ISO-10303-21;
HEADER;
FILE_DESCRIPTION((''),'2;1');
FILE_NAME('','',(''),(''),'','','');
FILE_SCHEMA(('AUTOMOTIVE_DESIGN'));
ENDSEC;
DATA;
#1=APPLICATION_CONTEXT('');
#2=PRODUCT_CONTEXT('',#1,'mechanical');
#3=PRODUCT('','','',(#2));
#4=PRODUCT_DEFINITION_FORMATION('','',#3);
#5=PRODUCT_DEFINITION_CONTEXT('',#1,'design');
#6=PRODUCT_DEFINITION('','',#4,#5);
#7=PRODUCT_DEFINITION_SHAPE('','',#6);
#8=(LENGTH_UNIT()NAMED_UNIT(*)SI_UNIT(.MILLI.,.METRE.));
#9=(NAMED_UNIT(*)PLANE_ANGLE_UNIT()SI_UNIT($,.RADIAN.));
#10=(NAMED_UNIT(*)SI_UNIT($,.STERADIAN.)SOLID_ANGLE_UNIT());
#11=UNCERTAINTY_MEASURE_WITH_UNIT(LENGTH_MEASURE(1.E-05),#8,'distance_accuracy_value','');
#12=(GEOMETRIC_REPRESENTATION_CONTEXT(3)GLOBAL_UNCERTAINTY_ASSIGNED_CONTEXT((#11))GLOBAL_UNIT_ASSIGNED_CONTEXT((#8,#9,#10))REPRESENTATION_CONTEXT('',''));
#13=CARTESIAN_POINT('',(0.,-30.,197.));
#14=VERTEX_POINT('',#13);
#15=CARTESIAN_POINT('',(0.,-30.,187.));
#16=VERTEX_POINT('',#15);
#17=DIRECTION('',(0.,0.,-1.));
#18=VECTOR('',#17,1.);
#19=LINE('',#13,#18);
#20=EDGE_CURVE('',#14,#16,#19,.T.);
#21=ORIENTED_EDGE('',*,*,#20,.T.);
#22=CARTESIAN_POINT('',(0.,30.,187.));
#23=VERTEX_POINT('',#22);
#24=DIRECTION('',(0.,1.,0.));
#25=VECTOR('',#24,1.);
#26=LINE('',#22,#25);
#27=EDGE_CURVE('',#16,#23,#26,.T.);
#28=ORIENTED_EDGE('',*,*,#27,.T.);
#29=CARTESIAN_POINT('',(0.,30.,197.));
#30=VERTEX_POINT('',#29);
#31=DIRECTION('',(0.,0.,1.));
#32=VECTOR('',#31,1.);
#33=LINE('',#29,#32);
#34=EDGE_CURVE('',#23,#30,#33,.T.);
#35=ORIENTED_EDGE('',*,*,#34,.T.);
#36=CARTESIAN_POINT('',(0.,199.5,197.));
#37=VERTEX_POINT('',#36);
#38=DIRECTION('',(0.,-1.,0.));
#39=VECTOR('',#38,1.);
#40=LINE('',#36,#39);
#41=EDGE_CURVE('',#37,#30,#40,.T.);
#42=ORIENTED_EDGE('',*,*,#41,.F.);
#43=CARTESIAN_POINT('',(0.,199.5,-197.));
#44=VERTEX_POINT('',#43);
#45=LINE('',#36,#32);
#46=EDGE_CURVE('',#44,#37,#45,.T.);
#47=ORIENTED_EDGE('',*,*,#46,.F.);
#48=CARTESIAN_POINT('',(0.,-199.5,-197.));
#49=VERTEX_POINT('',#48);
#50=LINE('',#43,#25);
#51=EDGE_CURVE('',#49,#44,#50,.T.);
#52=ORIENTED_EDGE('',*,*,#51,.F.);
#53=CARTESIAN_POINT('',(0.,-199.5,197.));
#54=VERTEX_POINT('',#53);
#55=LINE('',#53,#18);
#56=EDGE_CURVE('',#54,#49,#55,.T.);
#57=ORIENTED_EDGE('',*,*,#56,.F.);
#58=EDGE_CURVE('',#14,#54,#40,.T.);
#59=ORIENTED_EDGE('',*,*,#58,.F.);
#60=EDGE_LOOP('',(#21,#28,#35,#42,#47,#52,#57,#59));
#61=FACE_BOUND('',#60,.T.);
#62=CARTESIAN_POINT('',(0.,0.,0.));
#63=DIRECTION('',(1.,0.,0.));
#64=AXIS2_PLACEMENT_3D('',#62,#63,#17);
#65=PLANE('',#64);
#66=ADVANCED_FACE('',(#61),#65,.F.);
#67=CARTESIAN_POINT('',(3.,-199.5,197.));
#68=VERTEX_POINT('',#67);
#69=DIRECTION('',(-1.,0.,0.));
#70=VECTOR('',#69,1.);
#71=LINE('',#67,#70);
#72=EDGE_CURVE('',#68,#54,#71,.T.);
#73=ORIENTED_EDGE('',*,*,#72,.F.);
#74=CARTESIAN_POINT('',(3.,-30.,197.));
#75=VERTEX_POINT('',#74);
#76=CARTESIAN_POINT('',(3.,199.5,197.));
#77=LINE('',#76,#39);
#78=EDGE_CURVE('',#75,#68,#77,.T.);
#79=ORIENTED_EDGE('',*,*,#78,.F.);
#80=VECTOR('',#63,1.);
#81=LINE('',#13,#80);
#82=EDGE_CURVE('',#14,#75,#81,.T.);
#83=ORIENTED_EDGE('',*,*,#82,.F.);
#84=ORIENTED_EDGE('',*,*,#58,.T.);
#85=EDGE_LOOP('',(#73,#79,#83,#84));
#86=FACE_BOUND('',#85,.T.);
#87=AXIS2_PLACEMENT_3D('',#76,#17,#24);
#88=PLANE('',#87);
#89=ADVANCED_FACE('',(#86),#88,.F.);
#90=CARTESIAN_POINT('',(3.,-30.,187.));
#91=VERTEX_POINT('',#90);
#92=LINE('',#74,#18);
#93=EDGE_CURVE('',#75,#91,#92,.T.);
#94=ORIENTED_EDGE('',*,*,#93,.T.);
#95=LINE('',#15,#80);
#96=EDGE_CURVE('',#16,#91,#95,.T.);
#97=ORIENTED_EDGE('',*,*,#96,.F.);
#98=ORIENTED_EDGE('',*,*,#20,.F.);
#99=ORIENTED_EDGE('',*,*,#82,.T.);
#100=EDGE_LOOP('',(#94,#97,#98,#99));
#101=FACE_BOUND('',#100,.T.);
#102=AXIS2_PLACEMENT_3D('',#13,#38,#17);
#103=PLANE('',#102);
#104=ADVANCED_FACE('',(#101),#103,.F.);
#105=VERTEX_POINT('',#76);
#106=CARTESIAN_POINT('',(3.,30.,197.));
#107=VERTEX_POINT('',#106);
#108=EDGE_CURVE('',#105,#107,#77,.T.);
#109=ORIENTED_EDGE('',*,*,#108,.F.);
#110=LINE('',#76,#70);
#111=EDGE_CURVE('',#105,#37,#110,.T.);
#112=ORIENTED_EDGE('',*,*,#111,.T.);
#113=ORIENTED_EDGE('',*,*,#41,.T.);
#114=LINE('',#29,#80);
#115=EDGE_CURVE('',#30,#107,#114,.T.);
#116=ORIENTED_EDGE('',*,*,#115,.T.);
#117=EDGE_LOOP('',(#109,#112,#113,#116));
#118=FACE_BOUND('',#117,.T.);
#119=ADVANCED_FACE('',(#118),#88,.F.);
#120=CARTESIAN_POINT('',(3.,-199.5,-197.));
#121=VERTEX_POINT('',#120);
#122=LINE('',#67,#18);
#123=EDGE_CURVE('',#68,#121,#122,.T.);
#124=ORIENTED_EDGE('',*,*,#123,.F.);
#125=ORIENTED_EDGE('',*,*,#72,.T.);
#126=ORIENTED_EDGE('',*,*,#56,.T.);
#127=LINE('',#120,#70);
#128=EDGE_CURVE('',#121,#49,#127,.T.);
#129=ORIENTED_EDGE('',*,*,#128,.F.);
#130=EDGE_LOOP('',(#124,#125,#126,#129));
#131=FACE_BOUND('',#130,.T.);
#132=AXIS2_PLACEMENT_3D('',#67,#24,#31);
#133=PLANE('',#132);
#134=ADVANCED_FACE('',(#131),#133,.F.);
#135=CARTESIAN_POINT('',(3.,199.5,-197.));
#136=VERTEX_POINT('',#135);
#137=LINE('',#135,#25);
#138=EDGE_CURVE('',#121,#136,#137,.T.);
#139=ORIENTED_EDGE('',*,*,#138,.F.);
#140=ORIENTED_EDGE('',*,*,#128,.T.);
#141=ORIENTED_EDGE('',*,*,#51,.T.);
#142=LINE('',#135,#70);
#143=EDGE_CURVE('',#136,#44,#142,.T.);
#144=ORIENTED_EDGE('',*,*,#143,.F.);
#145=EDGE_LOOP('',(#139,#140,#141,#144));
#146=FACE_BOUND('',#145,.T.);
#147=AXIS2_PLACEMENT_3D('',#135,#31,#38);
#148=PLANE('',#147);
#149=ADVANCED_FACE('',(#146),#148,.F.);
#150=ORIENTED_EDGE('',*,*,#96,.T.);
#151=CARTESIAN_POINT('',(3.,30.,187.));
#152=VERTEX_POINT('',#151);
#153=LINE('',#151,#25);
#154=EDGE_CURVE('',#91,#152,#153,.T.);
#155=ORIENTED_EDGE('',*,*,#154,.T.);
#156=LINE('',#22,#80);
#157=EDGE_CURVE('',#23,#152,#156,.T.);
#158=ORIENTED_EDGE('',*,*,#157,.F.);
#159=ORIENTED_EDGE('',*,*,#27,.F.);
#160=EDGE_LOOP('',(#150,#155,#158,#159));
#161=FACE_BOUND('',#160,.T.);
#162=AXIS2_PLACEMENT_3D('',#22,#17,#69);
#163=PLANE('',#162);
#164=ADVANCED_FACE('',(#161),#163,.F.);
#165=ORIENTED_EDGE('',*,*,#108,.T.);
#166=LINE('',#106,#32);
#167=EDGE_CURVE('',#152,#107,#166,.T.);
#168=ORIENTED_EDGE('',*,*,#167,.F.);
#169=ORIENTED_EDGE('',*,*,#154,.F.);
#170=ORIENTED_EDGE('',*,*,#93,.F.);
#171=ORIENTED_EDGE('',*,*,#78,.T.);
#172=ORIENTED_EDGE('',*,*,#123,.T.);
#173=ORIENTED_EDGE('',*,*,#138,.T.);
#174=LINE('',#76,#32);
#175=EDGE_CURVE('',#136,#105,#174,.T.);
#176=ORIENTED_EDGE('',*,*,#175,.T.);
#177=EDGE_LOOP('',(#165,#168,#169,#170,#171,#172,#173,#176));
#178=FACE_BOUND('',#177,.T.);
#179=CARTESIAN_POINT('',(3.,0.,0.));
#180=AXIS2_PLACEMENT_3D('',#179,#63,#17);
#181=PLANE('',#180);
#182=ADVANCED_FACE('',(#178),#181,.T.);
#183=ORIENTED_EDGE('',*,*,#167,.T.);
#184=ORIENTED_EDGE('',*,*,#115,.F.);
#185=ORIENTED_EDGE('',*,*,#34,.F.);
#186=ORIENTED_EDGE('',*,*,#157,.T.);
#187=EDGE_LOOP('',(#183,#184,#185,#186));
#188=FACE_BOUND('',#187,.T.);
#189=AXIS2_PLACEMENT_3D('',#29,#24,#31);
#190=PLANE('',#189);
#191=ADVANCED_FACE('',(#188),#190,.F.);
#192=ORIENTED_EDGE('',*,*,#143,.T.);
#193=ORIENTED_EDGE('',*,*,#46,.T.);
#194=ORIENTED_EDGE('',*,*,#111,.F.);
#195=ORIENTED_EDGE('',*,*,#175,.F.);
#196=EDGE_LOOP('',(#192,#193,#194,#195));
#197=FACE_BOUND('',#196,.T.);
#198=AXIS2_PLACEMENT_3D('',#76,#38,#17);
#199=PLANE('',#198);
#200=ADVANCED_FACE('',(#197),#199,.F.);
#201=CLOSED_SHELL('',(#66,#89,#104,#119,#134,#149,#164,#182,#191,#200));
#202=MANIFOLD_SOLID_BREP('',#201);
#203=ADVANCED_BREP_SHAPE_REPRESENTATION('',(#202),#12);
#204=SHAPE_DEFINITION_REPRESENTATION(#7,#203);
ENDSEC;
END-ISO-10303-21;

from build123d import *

# Parameters (mm, degrees)
SKETCH_1_W          = 394
SKETCH_1_H          = 399
EXTRUDE_1_DEPTH     = 3
SKETCH_2_W          = 10
SKETCH_2_H          = 60
CUT_EXTRUDE_1_DEPTH = 281.389461286


with BuildPart() as part:
    # 草圖1 → 填料-伸長1 (new body)
    with BuildSketch(Plane(origin=(0, 0, 0), x_dir=(0, 0, -1), z_dir=(1, 0, 0))):
        Rectangle(SKETCH_1_W, SKETCH_1_H)
    extrude(amount=EXTRUDE_1_DEPTH)

    # 草圖2 → 除料-伸長1 (cut, through all)
    with BuildSketch(Plane(origin=(3, 0, 0), x_dir=(0, 0, -1), z_dir=(1, 0, 0))):
        with Locations((-192, 0)):
            Rectangle(SKETCH_2_W, SKETCH_2_H)
    extrude(amount=-CUT_EXTRUDE_1_DEPTH, mode=Mode.SUBTRACT)


solid = part.part
